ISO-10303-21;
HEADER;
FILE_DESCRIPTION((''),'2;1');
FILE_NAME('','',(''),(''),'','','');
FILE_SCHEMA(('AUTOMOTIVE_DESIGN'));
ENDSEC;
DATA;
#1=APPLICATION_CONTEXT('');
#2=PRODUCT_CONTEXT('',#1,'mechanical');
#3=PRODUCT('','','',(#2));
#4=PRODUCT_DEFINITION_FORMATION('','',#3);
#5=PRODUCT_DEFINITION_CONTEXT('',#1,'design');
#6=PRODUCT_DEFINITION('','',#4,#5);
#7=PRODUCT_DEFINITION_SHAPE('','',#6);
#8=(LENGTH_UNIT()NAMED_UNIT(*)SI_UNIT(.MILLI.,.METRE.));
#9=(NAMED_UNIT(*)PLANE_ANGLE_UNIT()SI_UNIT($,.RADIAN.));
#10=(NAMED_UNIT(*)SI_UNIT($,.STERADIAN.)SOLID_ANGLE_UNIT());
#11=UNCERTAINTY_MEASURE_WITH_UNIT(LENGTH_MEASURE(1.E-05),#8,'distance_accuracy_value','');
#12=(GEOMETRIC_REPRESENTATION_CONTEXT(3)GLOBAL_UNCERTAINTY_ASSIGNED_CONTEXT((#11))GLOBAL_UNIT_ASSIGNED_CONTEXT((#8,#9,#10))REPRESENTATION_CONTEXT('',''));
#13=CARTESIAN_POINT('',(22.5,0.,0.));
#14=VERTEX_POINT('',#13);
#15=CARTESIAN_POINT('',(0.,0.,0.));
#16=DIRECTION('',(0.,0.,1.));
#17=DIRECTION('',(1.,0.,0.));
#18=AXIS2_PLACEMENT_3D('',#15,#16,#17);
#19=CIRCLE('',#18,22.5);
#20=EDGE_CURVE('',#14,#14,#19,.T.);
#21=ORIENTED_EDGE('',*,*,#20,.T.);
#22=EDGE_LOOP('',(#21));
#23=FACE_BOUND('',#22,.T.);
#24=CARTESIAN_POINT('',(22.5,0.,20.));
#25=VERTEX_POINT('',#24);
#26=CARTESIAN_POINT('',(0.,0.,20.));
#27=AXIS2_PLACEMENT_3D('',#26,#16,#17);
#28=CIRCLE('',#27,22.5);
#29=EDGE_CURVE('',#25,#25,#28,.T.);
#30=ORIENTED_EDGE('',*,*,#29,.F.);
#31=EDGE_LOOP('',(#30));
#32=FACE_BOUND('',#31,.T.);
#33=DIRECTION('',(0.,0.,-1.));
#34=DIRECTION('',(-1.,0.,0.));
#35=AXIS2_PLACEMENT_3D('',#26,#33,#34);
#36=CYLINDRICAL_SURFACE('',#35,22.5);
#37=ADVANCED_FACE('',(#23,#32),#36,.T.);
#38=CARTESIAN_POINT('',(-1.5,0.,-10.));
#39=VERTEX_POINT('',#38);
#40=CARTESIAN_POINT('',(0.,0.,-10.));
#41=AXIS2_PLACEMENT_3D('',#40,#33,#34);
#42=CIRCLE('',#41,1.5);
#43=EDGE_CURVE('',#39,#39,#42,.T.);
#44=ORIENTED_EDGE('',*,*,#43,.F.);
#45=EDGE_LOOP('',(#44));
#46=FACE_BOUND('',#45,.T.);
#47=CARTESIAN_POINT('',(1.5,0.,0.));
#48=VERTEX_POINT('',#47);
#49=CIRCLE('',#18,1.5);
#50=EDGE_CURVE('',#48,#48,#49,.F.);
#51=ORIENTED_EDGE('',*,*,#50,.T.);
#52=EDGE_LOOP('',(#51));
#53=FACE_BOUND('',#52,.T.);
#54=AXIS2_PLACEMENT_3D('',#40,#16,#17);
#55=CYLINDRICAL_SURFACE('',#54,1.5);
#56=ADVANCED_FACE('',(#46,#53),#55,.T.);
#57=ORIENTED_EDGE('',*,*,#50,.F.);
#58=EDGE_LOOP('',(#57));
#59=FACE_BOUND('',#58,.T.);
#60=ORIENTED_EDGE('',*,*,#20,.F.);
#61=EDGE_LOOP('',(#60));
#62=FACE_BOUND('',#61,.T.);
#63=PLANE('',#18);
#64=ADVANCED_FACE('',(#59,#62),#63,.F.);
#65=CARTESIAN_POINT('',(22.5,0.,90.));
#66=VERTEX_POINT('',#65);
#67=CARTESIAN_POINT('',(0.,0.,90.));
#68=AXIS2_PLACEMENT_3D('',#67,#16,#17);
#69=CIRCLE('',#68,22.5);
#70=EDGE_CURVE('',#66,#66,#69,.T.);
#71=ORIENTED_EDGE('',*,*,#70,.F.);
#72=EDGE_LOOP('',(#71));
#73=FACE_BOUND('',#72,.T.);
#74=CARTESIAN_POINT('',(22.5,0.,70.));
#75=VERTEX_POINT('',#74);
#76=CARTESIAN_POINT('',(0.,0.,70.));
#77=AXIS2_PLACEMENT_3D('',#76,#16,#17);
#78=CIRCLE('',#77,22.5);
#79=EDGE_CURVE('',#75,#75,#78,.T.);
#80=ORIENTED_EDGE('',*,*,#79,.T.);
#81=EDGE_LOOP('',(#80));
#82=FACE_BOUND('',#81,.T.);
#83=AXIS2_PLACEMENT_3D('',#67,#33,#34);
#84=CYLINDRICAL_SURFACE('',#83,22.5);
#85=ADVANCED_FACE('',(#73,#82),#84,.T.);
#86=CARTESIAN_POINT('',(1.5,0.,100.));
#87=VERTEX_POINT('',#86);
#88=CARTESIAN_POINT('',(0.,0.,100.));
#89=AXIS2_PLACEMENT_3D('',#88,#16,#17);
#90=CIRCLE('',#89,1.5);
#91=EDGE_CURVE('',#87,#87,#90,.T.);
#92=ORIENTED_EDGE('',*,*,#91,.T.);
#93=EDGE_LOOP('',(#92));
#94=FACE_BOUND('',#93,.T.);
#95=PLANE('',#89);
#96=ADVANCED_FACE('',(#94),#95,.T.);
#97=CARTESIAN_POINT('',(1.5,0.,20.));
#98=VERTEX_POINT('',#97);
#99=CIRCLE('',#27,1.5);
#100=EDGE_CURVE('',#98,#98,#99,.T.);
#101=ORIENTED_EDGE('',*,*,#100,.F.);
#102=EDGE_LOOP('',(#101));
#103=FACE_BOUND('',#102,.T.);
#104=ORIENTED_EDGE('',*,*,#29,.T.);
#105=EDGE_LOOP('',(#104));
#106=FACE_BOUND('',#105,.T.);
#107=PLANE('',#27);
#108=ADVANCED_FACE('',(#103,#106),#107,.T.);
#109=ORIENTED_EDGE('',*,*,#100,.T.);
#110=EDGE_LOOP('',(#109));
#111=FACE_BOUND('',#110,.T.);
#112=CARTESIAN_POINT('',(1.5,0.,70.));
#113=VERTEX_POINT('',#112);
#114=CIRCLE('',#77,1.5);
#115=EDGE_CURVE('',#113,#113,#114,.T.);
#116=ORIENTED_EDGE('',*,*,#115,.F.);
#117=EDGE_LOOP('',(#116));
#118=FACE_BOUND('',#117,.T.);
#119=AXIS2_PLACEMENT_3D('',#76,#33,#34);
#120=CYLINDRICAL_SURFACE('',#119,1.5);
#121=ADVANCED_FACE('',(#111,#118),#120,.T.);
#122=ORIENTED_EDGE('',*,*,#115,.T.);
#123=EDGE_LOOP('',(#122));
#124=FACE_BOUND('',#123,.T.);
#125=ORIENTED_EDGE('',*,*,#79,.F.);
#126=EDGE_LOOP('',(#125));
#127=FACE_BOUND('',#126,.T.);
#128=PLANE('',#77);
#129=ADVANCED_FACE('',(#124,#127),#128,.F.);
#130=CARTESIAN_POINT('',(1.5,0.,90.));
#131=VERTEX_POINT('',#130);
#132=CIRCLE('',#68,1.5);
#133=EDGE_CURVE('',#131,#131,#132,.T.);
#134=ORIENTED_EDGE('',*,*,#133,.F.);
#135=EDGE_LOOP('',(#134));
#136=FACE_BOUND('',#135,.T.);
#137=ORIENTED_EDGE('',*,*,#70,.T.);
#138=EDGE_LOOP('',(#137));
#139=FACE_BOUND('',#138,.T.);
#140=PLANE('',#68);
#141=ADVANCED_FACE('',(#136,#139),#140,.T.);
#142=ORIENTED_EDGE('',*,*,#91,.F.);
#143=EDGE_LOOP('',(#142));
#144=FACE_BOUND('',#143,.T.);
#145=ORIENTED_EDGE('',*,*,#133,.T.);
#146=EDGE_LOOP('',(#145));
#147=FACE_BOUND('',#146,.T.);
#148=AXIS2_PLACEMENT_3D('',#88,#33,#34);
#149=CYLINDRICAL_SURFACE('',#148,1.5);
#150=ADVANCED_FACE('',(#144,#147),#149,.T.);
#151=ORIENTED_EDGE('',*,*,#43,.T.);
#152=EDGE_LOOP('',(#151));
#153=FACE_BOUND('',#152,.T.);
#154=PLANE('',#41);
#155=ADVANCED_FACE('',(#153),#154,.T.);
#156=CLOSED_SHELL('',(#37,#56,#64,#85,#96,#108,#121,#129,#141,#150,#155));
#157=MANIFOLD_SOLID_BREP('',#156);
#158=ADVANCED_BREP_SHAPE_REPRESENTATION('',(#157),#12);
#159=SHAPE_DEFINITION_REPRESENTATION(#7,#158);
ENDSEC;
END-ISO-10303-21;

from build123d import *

# Parameters (mm, degrees)
ESBO_O1_R                = 22.5
RESSALTO_EXTRUS_O3_DEPTH = 20
ESBO_O3_R                = 1.5
RESSALTO_EXTRUS_O4_DEPTH = 50
ESBO_O4_R                = 22.5
RESSALTO_EXTRUS_O5_DEPTH = 20
ESBO_O5_R                = 1.5
RESSALTO_EXTRUS_O6_DEPTH = 10
RESSALTO_EXTRUS_O7_START = 10
ESBO_O6_R                = 1.5
RESSALTO_EXTRUS_O7_DEPTH = 10


with BuildPart() as part:
    # Esboço1 → Ressalto-extrusão3 (new body)
    with BuildSketch(Plane.XY):
        Circle(ESBO_O1_R)
    extrude(amount=RESSALTO_EXTRUS_O3_DEPTH)

    # Esboço3 → Ressalto-extrusão4 (add)
    with BuildSketch(Plane.XY.offset(20)):
        Circle(ESBO_O3_R)
    extrude(amount=RESSALTO_EXTRUS_O4_DEPTH)

    # Esboço4 → Ressalto-extrusão5 (add)
    with BuildSketch(Plane.XY.offset(70)):
        Circle(ESBO_O4_R)
    extrude(amount=RESSALTO_EXTRUS_O5_DEPTH)

    # Esboço5 → Ressalto-extrusão6 (add)
    with BuildSketch(Plane.XY.offset(90)):
        Circle(ESBO_O5_R)
    extrude(amount=RESSALTO_EXTRUS_O6_DEPTH)

    # Esboço6 → Ressalto-extrusão7 (add)
    with BuildSketch(Plane(origin=(0, 0, 0), x_dir=(-1, 0, 0), z_dir=(0, 0, -1)).offset(RESSALTO_EXTRUS_O7_START)):
        with Locations(Location((0, 0, 0), (0, 0, 180))):
            Circle(ESBO_O6_R)
    extrude(amount=-RESSALTO_EXTRUS_O7_DEPTH)


solid = part.part
